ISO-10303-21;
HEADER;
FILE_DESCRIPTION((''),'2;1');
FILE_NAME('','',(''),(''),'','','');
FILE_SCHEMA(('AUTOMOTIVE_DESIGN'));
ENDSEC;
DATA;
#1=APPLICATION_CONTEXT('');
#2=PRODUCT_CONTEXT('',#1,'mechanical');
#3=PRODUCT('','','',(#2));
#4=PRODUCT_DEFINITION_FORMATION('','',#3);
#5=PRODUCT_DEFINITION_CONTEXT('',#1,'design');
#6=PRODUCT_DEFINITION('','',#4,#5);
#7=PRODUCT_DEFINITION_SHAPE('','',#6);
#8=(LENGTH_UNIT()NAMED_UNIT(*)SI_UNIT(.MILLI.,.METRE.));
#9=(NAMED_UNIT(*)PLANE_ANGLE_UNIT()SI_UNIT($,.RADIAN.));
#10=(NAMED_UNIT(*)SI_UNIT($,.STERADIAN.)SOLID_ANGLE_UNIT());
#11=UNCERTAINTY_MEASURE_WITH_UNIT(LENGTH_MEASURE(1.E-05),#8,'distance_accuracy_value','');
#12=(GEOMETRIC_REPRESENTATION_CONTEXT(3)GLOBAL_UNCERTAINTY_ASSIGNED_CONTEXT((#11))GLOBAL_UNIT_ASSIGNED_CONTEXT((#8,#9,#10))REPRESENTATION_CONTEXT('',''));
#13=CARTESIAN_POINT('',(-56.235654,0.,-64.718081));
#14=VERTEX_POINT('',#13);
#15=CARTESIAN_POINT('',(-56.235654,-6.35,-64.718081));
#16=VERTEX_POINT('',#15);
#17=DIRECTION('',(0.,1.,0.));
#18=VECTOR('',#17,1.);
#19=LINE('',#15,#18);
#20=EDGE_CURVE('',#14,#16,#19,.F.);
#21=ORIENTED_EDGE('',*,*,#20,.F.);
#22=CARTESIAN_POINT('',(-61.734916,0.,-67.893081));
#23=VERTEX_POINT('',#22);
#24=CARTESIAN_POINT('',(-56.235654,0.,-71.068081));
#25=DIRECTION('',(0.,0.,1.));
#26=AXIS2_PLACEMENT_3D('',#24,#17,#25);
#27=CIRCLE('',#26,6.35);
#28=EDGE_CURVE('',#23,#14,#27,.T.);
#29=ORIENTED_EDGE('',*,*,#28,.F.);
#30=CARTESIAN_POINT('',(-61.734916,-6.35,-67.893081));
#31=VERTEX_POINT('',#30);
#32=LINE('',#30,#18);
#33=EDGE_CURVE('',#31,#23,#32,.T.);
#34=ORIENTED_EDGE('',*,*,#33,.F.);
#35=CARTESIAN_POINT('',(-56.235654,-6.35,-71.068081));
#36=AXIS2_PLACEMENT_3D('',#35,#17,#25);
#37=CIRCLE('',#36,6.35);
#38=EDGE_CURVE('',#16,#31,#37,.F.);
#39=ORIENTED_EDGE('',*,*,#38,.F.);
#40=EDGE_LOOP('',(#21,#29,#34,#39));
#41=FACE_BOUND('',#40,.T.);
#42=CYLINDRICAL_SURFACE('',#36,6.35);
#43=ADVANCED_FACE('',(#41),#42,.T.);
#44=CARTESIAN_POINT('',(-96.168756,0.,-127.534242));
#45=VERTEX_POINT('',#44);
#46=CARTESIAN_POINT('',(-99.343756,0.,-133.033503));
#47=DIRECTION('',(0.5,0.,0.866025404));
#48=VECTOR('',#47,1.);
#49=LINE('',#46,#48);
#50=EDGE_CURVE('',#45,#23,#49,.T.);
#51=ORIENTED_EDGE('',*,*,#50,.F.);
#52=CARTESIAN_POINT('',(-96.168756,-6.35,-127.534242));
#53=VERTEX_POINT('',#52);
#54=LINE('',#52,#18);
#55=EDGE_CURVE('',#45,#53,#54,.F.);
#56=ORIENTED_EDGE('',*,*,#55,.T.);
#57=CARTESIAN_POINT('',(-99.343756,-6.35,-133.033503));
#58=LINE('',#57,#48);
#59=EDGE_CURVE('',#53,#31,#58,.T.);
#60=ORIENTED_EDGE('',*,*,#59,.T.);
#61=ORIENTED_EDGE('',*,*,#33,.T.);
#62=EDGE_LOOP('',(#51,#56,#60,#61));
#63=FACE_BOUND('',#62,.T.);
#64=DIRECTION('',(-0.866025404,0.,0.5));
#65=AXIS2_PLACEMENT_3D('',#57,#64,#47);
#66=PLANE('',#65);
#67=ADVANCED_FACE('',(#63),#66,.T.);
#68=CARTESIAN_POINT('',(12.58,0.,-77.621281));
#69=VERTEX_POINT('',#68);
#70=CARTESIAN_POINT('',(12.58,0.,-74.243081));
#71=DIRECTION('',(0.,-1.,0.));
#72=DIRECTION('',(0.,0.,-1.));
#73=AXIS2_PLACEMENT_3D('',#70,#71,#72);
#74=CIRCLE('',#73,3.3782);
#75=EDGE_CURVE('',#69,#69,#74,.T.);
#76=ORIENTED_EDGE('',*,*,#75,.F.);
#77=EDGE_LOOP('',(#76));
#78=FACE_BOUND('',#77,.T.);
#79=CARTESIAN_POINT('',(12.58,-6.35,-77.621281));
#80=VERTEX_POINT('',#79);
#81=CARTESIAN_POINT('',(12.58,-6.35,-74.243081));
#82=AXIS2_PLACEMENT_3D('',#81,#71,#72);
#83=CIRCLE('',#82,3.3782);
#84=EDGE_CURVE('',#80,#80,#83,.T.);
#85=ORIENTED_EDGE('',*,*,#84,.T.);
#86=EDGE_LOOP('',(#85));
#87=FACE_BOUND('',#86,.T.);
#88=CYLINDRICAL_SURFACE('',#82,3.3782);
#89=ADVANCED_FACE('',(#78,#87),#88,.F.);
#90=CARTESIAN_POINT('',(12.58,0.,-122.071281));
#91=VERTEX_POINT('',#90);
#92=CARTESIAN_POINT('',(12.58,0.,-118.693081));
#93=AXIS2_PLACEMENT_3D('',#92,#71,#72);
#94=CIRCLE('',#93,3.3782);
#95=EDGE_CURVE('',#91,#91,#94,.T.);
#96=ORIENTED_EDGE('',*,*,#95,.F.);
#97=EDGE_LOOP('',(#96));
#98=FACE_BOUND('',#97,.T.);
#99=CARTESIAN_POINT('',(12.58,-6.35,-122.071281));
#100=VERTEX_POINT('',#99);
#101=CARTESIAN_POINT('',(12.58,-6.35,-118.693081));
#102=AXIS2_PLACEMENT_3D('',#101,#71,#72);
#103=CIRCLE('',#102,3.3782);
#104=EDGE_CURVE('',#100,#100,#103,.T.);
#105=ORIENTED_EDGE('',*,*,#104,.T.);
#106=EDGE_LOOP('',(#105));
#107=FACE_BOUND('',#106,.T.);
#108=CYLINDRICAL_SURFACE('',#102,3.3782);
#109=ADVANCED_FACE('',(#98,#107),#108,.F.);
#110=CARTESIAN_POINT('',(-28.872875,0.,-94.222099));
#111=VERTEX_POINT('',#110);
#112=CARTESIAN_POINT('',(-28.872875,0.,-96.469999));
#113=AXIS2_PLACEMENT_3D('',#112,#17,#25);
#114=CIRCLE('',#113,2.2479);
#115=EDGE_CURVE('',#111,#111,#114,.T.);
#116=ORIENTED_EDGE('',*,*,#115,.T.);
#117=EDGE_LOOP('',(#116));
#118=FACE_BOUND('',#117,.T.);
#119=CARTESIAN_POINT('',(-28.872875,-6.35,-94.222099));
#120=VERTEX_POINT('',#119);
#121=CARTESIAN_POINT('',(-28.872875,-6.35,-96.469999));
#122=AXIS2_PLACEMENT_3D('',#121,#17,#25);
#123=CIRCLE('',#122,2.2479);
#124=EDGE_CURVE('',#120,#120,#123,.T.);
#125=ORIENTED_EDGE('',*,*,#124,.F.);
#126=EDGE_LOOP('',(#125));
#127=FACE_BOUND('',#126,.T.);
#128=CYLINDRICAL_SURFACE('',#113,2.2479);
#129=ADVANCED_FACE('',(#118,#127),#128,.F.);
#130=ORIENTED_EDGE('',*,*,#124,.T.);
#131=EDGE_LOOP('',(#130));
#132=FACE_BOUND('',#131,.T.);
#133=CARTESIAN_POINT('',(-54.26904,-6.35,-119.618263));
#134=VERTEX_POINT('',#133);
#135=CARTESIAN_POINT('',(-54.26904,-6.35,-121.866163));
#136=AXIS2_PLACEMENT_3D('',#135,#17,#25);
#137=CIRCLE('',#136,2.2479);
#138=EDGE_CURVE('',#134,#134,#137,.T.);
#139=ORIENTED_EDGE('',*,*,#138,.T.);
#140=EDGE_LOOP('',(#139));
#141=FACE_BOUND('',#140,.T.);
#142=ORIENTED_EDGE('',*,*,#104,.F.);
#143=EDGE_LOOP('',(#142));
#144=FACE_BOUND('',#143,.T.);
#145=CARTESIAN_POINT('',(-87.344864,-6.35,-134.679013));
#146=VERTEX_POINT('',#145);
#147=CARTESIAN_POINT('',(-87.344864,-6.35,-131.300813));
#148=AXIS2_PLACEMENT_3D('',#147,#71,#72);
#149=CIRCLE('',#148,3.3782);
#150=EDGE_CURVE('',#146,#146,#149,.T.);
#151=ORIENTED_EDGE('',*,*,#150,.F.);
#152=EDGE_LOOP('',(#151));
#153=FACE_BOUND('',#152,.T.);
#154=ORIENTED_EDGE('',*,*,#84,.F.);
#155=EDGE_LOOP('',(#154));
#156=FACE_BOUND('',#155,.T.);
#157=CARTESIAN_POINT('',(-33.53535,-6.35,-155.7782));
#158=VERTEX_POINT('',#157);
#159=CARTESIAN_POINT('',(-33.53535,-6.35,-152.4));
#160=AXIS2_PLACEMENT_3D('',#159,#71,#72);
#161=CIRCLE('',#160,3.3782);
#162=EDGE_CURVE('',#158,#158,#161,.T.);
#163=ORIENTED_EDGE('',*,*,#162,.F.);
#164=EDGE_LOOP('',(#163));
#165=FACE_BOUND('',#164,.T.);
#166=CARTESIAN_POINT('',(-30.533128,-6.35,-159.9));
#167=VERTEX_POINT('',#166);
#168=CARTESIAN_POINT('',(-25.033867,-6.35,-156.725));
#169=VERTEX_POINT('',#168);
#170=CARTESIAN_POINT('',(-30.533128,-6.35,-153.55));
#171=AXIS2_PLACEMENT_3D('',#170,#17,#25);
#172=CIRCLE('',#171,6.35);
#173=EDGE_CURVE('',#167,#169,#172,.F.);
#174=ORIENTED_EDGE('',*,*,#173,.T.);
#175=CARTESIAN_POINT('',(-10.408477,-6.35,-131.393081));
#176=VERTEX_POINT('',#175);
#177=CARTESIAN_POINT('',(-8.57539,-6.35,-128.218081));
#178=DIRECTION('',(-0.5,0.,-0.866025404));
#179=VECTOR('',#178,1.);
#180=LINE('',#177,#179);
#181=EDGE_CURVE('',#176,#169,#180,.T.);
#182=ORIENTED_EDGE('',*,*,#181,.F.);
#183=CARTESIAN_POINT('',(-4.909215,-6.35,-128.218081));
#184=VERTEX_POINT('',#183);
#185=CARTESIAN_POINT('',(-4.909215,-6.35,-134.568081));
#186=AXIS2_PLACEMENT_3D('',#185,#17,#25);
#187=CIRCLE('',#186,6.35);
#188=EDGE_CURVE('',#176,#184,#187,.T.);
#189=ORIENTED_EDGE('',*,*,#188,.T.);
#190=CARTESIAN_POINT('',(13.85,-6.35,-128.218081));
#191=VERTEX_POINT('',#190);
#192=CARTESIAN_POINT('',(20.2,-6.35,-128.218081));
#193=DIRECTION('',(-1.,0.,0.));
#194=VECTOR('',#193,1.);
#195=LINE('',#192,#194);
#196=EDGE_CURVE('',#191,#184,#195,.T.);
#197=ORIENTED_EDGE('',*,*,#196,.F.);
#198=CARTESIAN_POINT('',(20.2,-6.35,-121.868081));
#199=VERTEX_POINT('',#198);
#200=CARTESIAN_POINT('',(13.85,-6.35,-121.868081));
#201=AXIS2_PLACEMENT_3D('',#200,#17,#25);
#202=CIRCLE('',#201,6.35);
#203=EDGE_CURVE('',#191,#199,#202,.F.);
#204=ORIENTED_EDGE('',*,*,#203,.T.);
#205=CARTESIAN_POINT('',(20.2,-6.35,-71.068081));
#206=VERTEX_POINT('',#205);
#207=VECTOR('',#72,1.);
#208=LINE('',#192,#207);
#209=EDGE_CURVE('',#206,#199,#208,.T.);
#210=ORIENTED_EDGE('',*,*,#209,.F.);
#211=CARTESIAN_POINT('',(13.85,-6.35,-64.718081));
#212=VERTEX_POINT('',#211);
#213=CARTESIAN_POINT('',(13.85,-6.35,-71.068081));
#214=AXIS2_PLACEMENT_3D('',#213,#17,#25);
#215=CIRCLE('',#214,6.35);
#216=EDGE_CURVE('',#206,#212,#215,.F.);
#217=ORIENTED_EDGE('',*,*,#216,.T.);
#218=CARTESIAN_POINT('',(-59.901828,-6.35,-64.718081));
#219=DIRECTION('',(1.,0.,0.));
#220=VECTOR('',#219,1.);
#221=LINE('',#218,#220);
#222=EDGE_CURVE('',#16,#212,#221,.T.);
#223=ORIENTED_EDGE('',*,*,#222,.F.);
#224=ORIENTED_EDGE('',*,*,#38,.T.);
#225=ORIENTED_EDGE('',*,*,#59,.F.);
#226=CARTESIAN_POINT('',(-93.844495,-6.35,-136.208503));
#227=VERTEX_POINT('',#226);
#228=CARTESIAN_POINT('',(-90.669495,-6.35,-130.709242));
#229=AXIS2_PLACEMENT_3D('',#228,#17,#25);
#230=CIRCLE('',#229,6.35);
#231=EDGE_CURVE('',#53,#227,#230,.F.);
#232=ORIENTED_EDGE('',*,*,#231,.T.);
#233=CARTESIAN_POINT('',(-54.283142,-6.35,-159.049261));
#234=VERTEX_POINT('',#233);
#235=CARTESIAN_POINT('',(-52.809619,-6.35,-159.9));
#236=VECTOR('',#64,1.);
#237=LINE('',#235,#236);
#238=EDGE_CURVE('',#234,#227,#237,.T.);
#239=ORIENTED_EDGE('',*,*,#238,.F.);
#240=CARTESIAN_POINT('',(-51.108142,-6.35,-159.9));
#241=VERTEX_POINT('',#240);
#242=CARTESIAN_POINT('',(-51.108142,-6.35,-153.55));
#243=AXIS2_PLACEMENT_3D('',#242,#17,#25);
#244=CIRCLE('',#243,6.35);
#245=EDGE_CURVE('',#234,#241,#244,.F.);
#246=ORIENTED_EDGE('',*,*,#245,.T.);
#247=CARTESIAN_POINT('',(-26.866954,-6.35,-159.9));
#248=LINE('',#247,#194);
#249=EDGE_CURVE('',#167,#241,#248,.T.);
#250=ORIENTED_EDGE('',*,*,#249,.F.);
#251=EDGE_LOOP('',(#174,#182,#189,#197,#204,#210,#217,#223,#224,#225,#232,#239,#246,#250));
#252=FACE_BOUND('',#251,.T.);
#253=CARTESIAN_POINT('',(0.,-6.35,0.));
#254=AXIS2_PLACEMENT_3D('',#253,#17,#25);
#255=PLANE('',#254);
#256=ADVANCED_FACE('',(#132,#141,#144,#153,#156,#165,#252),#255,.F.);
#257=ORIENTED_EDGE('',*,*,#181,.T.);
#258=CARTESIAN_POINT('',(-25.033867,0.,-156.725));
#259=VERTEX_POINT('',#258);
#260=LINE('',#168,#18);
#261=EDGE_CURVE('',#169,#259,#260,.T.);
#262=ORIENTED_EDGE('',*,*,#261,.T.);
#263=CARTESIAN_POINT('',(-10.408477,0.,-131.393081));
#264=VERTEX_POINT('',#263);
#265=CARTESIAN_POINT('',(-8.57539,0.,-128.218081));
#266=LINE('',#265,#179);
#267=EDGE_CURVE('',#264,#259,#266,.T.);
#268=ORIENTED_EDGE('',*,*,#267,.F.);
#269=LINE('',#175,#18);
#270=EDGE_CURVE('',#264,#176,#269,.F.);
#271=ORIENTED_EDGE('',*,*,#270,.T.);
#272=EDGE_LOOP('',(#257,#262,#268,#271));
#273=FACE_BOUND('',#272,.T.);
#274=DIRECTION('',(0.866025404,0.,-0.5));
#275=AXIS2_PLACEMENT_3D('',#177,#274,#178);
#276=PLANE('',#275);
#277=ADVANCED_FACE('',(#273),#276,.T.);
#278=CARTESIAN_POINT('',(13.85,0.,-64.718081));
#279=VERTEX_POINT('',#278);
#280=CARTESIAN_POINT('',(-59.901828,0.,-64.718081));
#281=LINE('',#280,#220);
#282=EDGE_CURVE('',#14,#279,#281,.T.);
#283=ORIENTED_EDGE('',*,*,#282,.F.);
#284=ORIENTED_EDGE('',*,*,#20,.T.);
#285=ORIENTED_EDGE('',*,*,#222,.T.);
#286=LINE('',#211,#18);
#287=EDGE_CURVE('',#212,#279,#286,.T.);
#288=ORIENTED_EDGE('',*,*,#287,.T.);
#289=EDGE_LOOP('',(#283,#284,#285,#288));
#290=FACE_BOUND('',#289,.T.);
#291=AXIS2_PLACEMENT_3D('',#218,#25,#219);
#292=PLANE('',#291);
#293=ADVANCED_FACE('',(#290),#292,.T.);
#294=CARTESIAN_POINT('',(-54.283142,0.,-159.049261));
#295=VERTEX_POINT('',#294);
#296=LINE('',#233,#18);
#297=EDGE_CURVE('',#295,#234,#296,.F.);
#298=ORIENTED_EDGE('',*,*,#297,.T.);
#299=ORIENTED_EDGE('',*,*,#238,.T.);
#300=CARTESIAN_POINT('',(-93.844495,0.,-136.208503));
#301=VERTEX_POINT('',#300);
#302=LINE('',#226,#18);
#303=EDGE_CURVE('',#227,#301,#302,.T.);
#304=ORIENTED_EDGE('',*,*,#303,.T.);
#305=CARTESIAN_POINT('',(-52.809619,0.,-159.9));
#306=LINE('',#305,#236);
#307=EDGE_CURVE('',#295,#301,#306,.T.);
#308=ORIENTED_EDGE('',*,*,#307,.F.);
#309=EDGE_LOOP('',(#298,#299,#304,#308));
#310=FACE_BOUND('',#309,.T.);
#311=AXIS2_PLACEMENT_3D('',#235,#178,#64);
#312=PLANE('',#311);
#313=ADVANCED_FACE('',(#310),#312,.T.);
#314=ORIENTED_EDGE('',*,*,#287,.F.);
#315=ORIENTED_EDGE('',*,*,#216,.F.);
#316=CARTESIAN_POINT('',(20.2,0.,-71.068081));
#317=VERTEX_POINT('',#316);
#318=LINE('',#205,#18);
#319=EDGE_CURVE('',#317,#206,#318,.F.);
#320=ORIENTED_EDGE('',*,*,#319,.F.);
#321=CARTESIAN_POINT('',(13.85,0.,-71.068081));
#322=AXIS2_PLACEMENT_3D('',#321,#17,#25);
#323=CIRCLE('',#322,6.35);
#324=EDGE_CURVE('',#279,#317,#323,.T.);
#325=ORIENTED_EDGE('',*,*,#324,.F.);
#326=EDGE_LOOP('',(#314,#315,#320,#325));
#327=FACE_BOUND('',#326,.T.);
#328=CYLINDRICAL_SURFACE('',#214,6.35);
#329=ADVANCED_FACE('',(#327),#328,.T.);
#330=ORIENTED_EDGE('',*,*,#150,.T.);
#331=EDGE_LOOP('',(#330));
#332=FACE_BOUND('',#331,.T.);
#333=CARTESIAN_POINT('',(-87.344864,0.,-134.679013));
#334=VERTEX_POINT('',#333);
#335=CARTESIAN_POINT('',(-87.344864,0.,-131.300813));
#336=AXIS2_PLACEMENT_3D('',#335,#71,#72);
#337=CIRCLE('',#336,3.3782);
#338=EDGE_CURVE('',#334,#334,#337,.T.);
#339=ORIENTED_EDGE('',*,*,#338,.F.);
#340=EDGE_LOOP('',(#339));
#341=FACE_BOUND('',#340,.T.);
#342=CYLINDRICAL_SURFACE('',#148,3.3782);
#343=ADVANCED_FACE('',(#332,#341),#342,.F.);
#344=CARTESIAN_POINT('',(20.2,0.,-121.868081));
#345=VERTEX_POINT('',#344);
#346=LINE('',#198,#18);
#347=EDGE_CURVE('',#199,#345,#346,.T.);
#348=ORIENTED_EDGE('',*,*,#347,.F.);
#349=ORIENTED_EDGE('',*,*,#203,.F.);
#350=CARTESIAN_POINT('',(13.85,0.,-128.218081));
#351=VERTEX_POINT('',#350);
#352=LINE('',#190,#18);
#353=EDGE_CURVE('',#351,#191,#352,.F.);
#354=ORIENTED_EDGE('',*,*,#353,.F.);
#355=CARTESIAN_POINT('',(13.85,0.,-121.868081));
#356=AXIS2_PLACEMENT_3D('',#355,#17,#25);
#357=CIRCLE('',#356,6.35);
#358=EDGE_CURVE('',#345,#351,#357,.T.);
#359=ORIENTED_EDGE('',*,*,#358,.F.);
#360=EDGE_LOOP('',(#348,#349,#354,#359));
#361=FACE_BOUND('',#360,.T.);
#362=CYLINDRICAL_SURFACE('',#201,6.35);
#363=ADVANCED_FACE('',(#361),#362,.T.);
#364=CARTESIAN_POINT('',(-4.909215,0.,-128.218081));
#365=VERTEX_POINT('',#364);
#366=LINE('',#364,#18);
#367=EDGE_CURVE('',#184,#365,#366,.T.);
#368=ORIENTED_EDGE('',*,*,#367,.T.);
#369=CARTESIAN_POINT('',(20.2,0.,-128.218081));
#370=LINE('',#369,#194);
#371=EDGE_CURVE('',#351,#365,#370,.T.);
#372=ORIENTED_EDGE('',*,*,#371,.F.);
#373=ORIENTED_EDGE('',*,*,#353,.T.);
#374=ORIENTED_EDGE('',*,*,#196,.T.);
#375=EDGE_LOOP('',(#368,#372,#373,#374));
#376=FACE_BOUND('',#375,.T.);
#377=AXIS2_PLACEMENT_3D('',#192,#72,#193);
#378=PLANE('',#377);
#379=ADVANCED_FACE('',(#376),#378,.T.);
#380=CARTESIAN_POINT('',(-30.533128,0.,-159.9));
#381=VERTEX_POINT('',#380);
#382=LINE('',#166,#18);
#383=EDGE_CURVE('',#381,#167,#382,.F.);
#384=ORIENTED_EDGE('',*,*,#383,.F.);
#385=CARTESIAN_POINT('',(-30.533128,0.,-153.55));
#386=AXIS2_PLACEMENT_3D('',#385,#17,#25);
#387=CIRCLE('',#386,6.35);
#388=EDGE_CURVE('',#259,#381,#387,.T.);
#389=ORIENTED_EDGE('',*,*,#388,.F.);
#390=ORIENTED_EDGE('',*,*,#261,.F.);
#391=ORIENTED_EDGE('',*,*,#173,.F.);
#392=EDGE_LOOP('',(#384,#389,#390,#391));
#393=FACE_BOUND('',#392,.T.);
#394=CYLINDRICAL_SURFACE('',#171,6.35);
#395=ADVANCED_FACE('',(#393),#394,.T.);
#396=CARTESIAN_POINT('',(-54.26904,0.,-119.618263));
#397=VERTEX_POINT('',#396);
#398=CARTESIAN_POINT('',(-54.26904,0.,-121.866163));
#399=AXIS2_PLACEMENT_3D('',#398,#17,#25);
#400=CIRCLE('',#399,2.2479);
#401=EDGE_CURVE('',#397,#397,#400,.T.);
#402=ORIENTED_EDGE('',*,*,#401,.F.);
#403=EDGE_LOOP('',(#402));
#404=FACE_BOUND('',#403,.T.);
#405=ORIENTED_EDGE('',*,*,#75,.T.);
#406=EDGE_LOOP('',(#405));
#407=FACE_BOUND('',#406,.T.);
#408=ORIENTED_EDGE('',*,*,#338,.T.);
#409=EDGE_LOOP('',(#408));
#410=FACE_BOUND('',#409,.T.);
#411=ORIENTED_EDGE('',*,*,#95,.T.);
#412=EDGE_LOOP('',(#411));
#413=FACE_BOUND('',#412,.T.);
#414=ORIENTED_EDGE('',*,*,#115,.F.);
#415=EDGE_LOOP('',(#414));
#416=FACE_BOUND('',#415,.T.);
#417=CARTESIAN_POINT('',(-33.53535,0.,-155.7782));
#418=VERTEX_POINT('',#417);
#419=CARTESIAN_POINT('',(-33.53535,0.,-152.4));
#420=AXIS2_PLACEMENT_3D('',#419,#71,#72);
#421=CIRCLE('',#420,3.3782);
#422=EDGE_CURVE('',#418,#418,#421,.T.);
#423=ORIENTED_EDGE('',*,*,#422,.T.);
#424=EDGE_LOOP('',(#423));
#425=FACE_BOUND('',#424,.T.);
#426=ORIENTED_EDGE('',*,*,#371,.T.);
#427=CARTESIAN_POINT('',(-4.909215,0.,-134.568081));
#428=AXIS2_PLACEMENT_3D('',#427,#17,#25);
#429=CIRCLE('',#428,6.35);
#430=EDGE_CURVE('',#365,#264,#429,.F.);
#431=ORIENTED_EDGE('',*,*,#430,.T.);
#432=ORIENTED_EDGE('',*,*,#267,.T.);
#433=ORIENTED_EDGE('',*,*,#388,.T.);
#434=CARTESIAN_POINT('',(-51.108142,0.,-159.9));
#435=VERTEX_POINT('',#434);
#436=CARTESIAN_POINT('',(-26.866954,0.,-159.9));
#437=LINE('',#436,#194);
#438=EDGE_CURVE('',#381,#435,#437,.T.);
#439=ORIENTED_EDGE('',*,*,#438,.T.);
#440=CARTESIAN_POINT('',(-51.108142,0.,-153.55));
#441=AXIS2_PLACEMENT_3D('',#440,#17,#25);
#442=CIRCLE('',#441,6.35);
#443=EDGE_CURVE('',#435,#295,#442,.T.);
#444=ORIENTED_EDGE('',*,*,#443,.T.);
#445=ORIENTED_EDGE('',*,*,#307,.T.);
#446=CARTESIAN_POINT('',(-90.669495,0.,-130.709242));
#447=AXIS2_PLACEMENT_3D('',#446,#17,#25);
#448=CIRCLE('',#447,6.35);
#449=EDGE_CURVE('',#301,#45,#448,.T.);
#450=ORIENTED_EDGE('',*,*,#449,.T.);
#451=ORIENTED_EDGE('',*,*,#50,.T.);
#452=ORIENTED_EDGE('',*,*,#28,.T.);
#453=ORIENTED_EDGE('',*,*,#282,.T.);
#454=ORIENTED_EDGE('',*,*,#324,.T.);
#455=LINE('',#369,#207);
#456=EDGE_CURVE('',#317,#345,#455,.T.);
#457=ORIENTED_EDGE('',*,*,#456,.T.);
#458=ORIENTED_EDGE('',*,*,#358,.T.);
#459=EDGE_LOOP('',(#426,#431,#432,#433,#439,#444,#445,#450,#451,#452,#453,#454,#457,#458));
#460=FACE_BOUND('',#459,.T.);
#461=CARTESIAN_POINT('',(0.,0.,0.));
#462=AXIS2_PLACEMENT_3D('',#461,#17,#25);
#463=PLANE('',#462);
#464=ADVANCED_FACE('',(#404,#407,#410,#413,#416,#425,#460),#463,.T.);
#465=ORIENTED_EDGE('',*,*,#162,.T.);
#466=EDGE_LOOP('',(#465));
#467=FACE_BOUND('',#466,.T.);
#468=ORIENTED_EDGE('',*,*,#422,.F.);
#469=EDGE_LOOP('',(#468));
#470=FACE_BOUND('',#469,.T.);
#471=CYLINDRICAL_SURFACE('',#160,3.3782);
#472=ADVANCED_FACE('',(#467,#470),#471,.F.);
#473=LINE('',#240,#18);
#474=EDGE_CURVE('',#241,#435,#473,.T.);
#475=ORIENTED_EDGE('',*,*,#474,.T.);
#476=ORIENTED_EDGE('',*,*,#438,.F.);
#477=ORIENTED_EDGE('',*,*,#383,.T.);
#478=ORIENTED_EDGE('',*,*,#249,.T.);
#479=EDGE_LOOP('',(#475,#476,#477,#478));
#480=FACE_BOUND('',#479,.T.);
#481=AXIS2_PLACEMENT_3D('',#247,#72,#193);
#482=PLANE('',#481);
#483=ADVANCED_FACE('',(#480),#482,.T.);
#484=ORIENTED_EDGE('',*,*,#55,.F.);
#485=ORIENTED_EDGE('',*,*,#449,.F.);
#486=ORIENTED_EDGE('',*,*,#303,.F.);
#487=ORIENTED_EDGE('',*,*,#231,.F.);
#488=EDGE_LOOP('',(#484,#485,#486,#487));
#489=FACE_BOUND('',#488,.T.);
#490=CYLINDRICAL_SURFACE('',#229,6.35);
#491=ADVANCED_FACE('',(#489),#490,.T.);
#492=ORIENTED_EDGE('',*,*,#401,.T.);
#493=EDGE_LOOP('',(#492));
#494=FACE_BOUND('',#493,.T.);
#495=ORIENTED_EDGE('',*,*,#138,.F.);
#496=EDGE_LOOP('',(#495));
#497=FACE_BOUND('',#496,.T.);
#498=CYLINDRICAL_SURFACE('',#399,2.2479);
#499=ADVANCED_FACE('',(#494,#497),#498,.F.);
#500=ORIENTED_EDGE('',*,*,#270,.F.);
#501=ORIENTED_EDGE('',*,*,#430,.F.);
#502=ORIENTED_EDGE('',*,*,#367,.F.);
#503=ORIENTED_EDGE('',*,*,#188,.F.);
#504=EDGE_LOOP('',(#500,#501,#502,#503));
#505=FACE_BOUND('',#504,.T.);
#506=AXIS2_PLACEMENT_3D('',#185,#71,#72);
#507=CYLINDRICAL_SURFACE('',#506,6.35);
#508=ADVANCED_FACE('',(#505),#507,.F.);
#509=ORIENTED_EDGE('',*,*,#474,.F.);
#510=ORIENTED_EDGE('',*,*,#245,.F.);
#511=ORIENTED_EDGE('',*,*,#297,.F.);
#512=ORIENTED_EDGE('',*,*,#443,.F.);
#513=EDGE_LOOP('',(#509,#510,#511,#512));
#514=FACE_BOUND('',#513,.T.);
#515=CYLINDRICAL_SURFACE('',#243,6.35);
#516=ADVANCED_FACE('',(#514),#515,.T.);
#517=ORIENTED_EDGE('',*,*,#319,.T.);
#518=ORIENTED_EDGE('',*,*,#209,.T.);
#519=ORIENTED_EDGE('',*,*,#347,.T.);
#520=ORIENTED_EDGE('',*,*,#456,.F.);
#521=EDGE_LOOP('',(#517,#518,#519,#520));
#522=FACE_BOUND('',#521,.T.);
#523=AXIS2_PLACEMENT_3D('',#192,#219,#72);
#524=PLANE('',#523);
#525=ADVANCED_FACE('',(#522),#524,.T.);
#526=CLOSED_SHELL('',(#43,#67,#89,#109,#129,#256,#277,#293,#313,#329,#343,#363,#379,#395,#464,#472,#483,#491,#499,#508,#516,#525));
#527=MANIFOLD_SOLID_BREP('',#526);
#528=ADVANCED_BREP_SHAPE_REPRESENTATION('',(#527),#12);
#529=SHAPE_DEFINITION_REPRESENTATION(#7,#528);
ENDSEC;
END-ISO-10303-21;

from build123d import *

# Parameters (mm, degrees)
BOSS_EXTRUDE1_DEPTH     = 6.35
FILLET1_R               = 6.35
F_1_4_CLEARANCE_HOLE2_D = 6.7564
F_8_CLEARANCE_HOLE1_D   = 4.4958


with BuildPart() as part:
    # Sketch1 → Boss-Extrude1 (new body)
    with BuildSketch(Plane(origin=(0, 0, 0), x_dir=(1, 0, 0), z_dir=(0, 1, 0))):
        Polygon((-26.866954165, 159.9), (-52.809618943, 159.9), (-99.343756128, 133.03350337), (-59.901828464, 64.718080709), (20.2, 64.718080709), (20.2, 128.218080709), (-8.575389533, 128.218080709), align=None)
    extrude(amount=-BOSS_EXTRUDE1_DEPTH)

    # Fillet1
    fillet1_edges = [part.edges().sort_by_distance(p)[0] for p in [
        (-52.809618943, -3.175, -159.9),
        (-26.866954165, -3.175, -159.9),
        (-8.575389533, -3.175, -128.218080709),
        (20.2, -3.175, -128.218080709),
        (20.2, -3.175, -64.718080709),
        (-59.901828464, -3.175, -64.718080709),
        (-99.343756128, -3.175, -133.03350337),
    ]]
    fillet(fillet1_edges, radius=FILLET1_R)

    # 1/4 Clearance Hole2 (through all)
    with Locations(Plane(origin=(0, -6.35, 0), x_dir=(-1, 0, 0), z_dir=(0, -1, 0))):
        with Locations((87.344864157, 131.300812842), (33.535349774, 152.4), (-12.58, 74.243080709), (-12.58, 118.693080709)):
            Hole(F_1_4_CLEARANCE_HOLE2_D / 2)

    # #8 Clearance Hole1 (through all)
    with Locations(Plane(origin=(0, 0, 0), x_dir=(1, 0, 0), z_dir=(0, 1, 0))):
        with Locations((-54.269039573, 121.866162864), (-28.872875262, 96.469998554)):
            Hole(F_8_CLEARANCE_HOLE1_D / 2)


solid = part.part
